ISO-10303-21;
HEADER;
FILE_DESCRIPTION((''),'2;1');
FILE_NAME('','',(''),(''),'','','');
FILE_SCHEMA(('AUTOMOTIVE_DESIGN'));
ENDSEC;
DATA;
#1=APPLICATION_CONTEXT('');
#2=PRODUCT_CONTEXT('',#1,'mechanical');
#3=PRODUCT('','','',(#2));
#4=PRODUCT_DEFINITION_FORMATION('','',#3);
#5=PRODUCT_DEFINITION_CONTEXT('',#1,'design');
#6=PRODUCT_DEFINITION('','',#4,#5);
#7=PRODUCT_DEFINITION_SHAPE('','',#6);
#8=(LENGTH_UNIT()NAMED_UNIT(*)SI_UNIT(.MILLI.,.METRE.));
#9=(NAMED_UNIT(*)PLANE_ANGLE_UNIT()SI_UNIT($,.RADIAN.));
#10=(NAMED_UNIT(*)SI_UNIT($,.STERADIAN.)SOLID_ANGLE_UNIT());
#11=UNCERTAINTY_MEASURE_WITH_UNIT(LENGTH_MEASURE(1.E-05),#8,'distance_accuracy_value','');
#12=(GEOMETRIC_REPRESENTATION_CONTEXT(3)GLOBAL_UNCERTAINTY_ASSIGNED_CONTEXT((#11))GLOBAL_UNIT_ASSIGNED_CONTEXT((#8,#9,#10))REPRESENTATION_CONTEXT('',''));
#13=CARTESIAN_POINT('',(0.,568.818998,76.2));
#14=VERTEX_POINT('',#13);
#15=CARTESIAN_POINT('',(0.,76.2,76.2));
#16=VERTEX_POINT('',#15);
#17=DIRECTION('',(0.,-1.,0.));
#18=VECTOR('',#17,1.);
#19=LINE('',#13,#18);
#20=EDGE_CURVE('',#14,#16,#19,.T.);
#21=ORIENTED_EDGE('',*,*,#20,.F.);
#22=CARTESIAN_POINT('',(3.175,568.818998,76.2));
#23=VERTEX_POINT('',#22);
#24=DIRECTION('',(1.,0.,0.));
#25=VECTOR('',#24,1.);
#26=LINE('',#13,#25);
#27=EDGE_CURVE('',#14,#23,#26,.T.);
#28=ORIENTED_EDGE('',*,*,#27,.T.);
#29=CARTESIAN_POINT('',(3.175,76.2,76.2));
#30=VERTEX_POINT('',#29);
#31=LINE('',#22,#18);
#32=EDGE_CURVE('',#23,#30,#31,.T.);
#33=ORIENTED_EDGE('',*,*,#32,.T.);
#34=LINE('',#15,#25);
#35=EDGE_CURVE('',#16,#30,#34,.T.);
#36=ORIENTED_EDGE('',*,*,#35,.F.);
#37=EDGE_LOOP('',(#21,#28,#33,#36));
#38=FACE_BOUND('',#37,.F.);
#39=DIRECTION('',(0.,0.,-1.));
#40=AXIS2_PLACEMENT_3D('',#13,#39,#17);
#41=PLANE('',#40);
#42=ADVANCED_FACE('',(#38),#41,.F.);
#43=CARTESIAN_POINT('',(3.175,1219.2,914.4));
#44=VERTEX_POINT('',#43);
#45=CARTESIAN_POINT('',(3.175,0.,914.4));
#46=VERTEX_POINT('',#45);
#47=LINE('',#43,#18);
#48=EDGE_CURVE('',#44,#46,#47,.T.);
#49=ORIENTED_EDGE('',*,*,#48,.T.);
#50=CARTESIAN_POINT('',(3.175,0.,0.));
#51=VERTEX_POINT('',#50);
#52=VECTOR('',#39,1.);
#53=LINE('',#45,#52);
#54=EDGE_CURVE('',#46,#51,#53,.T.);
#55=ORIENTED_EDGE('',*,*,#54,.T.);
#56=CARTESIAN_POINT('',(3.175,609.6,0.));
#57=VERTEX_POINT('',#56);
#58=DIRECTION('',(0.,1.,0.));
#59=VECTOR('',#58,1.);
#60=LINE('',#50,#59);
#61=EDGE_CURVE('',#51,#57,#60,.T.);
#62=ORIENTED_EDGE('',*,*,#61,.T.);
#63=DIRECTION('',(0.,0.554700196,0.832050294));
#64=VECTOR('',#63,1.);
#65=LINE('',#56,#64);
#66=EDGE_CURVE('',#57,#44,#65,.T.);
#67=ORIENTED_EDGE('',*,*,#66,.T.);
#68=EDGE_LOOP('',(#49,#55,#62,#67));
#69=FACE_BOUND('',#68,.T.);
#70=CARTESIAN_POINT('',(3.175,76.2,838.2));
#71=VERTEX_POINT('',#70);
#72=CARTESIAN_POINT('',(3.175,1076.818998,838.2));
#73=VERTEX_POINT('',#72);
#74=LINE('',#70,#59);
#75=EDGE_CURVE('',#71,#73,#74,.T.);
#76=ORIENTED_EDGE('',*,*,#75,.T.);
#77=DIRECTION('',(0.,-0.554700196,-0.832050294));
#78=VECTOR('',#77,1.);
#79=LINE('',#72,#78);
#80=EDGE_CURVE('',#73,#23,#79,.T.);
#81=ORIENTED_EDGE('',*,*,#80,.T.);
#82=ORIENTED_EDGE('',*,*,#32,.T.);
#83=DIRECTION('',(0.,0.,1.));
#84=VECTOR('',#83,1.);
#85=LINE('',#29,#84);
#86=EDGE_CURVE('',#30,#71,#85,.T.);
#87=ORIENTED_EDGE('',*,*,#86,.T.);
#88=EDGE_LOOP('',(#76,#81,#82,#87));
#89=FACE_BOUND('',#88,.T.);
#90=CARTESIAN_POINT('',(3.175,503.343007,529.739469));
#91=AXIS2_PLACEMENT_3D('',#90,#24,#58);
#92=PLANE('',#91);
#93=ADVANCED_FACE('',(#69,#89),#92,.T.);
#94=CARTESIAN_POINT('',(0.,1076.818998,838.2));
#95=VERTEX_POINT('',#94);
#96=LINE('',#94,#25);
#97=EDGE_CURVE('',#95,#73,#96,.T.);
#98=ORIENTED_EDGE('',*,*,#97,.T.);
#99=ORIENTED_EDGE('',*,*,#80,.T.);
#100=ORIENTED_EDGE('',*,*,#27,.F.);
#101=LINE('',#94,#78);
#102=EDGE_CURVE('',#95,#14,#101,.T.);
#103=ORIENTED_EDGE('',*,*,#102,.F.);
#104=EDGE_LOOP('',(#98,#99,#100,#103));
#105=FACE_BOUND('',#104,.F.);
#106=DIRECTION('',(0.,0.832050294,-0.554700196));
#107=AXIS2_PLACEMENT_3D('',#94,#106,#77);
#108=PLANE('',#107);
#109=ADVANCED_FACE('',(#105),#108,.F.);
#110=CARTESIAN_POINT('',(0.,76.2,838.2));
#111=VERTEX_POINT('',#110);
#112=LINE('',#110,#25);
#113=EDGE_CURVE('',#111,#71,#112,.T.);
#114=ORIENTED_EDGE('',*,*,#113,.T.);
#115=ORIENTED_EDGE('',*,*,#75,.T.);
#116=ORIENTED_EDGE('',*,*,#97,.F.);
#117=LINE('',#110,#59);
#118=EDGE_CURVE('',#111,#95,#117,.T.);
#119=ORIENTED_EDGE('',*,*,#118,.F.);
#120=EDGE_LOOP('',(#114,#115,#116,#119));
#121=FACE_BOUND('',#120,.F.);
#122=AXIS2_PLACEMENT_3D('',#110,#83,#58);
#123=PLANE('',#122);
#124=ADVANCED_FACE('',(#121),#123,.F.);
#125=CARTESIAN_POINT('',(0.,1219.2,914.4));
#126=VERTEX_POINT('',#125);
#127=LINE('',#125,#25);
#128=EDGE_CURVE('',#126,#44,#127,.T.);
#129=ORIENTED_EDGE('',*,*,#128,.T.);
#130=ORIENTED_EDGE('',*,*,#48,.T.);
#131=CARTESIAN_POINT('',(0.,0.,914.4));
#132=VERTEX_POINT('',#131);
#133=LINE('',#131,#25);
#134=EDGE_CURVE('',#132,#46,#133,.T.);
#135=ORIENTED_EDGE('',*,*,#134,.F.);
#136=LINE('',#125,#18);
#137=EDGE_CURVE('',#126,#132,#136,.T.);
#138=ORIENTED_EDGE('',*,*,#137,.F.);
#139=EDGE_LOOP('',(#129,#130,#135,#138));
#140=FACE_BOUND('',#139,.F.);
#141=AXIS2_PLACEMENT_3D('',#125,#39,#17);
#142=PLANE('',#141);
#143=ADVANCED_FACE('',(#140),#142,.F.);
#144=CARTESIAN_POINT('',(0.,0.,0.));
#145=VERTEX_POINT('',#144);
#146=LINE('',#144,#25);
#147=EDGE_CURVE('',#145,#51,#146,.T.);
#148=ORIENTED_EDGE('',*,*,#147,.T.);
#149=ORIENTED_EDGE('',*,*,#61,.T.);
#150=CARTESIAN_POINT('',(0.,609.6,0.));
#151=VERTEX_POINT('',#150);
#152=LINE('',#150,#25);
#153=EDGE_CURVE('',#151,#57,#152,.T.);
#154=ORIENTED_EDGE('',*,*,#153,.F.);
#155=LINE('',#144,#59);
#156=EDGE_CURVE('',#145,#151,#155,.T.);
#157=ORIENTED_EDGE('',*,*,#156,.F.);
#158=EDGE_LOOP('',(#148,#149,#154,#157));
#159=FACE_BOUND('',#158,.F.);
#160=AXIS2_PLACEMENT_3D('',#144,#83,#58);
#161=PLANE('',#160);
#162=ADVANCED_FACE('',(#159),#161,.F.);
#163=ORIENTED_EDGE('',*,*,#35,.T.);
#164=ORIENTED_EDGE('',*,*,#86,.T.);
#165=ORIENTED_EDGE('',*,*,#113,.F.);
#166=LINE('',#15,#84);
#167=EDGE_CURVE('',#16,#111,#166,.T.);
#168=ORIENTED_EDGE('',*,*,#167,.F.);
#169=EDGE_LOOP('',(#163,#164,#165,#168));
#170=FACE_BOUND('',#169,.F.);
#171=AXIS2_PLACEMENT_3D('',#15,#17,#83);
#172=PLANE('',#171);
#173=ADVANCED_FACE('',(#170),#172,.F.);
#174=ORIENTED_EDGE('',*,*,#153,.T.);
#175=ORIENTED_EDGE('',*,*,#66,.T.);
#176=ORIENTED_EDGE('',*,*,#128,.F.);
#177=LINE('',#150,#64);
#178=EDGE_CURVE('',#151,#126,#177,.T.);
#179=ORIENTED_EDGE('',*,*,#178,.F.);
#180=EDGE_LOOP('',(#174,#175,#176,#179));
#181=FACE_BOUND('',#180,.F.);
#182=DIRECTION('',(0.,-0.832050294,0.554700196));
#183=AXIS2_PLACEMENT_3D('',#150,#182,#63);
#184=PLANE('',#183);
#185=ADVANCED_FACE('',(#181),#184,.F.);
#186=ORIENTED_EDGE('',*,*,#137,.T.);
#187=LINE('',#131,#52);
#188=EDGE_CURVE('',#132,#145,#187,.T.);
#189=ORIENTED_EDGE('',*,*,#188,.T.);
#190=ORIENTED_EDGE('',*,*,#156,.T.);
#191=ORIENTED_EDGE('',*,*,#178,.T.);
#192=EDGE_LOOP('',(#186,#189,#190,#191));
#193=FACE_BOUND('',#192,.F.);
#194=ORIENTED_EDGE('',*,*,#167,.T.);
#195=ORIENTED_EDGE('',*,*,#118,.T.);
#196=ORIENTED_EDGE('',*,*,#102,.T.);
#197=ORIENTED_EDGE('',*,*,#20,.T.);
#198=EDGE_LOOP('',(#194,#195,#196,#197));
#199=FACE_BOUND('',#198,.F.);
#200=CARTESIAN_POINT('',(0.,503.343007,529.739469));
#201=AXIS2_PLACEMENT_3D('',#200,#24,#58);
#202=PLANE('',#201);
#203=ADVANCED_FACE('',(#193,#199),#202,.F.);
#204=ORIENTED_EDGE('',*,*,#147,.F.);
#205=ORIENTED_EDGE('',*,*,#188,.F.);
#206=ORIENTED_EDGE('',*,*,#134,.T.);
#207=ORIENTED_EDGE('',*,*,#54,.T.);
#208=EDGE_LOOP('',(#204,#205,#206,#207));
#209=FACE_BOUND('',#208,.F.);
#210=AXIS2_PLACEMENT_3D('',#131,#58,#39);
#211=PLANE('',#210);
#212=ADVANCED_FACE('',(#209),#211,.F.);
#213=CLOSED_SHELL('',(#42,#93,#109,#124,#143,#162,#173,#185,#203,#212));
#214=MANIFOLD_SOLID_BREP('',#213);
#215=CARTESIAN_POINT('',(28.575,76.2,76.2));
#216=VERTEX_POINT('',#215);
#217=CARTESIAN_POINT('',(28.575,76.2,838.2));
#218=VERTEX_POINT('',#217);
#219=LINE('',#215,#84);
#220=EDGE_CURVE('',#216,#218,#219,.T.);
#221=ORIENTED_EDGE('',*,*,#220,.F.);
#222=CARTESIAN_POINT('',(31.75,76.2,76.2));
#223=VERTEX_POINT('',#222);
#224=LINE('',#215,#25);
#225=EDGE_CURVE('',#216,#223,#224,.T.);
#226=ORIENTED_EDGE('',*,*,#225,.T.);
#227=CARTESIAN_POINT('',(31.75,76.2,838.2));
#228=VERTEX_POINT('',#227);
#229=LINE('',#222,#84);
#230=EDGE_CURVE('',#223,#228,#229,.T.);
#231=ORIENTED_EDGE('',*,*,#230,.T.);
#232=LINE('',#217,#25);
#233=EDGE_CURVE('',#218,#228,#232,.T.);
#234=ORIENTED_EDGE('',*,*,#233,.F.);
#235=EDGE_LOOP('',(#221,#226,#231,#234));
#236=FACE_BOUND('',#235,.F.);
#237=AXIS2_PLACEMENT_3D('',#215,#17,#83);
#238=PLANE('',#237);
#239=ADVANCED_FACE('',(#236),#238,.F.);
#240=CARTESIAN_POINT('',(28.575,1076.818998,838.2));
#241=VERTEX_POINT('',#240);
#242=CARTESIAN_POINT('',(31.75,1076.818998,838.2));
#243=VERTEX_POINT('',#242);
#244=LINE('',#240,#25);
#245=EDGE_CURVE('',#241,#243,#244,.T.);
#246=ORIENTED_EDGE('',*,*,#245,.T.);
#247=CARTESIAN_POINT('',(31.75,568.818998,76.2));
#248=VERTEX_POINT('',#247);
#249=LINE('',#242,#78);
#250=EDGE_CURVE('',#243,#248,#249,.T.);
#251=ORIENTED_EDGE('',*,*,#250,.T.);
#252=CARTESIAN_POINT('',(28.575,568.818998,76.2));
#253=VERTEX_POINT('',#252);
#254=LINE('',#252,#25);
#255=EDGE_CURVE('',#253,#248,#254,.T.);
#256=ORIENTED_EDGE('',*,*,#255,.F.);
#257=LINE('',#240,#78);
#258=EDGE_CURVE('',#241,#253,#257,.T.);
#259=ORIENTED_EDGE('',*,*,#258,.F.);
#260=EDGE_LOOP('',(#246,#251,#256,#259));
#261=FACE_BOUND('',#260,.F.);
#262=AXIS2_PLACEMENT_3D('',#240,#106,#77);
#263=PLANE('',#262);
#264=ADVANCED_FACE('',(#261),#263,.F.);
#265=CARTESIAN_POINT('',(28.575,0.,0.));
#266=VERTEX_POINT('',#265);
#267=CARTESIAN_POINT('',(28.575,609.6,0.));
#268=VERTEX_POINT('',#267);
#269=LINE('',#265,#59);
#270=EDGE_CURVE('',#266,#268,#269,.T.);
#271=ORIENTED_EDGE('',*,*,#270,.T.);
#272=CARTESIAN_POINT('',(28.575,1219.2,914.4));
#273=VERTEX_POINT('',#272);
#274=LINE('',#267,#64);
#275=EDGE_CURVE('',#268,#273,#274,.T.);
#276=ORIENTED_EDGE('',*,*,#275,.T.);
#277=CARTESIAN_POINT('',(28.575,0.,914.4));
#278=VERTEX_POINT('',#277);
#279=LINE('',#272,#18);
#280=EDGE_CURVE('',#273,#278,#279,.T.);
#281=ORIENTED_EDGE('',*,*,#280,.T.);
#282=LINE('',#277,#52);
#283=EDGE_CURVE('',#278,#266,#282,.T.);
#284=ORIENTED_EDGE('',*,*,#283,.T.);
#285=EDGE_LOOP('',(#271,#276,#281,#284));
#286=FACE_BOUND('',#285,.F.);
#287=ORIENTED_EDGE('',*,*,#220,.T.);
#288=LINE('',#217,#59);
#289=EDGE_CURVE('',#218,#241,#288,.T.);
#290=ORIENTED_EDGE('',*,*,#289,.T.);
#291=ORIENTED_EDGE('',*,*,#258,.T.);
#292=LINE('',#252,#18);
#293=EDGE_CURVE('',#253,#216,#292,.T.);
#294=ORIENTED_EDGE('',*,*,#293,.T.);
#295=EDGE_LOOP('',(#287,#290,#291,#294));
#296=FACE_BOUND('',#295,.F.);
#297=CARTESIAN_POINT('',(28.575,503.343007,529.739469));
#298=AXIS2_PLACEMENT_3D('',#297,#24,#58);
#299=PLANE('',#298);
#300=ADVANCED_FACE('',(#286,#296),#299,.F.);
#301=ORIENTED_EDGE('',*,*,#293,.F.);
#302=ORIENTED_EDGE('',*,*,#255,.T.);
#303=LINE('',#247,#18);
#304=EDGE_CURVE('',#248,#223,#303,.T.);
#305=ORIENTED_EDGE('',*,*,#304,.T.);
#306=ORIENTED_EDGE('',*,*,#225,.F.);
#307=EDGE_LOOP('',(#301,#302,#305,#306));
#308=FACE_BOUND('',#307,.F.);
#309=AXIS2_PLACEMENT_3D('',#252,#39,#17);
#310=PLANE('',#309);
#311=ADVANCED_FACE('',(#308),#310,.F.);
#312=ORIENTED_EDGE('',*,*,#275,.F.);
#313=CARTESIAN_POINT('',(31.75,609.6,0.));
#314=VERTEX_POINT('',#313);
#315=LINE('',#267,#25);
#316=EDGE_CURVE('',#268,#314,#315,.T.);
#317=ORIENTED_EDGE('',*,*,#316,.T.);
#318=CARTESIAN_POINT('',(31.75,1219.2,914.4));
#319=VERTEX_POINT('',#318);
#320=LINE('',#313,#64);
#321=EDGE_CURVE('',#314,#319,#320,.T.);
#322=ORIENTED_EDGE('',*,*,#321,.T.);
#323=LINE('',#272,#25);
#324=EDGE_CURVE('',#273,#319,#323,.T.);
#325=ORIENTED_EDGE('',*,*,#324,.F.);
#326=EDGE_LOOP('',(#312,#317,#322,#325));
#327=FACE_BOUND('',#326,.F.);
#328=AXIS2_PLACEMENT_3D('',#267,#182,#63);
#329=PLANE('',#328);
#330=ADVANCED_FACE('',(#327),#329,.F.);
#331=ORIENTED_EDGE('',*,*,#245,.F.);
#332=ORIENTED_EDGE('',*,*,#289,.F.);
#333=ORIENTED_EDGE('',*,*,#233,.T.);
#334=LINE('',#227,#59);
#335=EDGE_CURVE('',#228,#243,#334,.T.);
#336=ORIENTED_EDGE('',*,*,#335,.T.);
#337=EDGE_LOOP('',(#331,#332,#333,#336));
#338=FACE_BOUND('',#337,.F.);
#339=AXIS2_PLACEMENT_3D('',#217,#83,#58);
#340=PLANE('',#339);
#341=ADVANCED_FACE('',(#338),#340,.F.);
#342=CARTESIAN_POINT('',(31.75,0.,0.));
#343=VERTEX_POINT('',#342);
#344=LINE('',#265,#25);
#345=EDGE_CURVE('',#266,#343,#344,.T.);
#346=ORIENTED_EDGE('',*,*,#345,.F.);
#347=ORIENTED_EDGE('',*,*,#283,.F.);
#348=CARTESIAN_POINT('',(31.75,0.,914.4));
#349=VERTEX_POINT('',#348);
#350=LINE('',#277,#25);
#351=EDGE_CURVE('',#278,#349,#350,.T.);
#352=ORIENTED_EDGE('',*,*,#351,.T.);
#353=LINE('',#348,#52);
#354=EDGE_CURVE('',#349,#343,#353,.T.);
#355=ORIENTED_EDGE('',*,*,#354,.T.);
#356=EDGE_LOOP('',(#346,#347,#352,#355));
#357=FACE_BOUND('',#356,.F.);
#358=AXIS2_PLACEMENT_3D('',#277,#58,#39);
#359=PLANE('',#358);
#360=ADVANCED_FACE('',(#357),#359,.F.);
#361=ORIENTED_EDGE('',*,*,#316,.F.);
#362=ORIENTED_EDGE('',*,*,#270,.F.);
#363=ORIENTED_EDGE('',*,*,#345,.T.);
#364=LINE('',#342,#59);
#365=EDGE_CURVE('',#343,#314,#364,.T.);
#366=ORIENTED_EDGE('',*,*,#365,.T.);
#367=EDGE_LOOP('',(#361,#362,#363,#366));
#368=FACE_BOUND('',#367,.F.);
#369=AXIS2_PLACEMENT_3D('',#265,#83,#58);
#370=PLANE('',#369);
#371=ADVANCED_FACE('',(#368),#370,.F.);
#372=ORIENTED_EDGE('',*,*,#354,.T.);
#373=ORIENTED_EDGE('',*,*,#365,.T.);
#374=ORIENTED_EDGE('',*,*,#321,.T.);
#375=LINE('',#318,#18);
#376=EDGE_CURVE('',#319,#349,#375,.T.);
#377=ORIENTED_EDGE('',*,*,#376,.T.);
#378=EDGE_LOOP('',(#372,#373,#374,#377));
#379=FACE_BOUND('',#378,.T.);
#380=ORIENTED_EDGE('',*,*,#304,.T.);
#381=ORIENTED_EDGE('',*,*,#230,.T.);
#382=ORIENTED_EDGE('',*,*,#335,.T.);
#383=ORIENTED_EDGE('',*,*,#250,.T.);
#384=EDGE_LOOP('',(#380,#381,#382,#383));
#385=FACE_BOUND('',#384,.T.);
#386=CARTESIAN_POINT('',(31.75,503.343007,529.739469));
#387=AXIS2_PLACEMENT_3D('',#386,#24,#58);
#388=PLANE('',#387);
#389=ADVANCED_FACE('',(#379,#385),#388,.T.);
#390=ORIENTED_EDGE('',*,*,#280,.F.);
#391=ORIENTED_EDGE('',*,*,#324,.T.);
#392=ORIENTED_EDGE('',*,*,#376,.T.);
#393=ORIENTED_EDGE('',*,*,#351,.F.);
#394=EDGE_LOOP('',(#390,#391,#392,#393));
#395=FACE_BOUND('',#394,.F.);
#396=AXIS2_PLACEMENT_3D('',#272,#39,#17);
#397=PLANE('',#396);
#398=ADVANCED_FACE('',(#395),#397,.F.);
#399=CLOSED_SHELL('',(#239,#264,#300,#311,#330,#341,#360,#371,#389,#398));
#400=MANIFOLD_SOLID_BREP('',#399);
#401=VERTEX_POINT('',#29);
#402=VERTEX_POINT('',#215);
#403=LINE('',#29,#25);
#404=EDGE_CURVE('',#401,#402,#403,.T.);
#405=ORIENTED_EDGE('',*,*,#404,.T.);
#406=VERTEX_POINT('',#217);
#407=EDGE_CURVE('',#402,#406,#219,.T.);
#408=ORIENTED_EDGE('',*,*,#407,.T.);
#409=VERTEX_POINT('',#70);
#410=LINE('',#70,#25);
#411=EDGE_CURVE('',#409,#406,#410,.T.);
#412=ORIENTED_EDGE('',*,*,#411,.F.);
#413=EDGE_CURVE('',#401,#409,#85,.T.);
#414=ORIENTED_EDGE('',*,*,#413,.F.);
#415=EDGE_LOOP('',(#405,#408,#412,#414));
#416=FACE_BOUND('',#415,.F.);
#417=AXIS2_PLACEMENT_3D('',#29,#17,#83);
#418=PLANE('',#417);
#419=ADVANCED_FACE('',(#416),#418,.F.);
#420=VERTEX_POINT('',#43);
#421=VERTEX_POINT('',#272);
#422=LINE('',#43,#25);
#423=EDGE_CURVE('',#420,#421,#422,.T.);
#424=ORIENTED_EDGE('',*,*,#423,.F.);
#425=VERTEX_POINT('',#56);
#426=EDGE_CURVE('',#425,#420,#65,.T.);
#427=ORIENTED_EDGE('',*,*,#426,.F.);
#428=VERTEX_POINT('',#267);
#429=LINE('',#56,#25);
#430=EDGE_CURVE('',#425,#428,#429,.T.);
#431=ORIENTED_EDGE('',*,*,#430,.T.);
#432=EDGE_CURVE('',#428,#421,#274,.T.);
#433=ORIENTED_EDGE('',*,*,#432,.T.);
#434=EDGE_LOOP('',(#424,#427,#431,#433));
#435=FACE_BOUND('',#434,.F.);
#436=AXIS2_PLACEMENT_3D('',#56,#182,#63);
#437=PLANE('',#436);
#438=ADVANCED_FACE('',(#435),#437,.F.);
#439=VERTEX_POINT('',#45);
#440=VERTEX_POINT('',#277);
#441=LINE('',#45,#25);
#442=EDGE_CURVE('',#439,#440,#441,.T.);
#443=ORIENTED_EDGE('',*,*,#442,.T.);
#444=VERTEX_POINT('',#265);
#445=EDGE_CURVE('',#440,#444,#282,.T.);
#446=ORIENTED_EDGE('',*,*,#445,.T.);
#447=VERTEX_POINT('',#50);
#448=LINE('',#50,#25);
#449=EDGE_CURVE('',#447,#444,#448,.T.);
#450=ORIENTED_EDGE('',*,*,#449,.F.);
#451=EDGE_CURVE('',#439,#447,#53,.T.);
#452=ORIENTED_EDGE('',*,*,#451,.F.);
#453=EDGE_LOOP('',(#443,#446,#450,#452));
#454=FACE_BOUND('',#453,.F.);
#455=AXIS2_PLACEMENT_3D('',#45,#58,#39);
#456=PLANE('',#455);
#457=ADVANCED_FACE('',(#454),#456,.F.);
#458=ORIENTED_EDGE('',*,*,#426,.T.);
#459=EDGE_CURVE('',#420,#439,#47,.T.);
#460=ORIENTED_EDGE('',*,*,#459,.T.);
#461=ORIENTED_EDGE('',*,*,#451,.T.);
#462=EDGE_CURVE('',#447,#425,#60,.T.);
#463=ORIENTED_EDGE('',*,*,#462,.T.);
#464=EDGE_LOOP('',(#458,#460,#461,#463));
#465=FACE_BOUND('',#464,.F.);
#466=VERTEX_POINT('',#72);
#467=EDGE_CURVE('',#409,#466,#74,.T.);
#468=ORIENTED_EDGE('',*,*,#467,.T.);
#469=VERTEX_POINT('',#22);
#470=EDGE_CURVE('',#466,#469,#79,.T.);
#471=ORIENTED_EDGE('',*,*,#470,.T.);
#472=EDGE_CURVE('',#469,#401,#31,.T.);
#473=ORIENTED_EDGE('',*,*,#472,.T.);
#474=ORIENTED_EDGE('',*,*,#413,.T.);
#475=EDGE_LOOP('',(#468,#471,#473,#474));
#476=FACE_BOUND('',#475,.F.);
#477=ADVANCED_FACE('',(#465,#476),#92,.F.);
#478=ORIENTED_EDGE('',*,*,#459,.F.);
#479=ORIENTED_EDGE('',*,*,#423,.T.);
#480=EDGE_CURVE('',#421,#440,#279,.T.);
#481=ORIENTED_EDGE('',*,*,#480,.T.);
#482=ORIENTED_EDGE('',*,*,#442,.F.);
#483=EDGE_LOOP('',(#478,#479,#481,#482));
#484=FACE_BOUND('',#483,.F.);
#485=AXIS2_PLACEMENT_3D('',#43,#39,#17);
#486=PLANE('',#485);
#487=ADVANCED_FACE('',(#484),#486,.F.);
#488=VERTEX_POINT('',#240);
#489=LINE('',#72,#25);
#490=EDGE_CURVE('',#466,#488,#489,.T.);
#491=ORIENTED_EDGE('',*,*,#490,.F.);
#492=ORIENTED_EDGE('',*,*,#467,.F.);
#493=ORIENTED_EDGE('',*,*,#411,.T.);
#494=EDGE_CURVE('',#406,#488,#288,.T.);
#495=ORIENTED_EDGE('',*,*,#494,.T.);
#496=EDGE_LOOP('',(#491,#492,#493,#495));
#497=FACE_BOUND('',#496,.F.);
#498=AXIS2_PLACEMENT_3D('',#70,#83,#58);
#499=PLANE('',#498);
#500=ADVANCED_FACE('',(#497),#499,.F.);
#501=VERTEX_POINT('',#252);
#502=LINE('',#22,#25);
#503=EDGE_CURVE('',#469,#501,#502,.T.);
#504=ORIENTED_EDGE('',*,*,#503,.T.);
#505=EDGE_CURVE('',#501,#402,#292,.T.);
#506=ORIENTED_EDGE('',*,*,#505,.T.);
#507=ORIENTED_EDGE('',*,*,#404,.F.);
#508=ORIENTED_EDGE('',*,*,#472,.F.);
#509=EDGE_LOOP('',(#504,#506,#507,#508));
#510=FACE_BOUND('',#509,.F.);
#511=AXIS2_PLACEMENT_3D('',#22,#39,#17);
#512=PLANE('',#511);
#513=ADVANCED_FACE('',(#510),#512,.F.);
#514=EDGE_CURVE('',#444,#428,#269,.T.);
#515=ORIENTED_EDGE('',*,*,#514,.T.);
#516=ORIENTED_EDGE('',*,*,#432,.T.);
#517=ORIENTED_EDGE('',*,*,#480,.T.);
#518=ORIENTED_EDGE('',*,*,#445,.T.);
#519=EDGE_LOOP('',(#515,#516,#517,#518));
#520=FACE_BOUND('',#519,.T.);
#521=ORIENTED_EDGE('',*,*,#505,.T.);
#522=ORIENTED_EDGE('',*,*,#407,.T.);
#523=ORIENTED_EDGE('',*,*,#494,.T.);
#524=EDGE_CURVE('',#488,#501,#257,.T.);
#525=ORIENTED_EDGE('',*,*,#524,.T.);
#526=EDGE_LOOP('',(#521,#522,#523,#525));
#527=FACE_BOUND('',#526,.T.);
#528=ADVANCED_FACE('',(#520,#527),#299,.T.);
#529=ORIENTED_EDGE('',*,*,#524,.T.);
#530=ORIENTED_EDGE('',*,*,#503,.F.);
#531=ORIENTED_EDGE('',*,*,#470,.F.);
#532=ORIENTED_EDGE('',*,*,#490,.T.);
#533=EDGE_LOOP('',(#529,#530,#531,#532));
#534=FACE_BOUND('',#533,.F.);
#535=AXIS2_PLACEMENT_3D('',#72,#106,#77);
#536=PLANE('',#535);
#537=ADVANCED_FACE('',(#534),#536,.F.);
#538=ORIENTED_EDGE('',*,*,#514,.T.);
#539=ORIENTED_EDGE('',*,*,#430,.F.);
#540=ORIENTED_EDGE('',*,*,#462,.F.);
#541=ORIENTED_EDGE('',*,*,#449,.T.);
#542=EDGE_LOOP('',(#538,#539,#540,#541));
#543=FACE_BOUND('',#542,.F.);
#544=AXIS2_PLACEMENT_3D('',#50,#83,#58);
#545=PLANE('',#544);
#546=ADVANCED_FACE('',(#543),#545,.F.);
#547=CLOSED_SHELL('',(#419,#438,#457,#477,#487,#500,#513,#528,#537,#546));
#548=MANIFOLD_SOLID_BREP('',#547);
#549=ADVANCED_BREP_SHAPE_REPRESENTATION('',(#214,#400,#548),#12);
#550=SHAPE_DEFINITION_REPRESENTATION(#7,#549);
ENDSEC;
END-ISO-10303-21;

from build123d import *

# Parameters (mm, degrees)
F1_DEPTH = 3.175
F3_DEPTH = 25.4
F5_DEPTH = 3.175


with BuildPart() as f1:
    # F0 (on Right) → F1 (new body)
    with BuildSketch(Plane.YZ):
        Polygon((0, 914.4), (0, 0), (609.6, 0), (1219.2, 914.4), align=None)
        Polygon((76.2, 76.2), (76.2, 838.2), (1076.818998, 838.2), (568.818998, 76.2), align=None, mode=Mode.SUBTRACT)
    extrude(amount=F1_DEPTH)


with BuildPart() as f3:
    # F2 (on face) → F3 (new body)
    with BuildSketch(Plane.YZ.offset(3.175)):
        Polygon((1219.2, 914.4), (0, 914.4), (0, 0), (609.6, 0), align=None)
        Polygon((76.2, 76.2), (76.2, 838.2), (1076.818998, 838.2), (568.818998, 76.2), align=None, mode=Mode.SUBTRACT)
    extrude(amount=F3_DEPTH)


with BuildPart() as f5:
    # F4 (on face) → F5 (new body)
    with BuildSketch(Plane.YZ.offset(28.575)):
        Polygon((1219.2, 914.4), (0, 914.4), (0, 0), (609.6, 0), align=None)
        Polygon((76.2, 76.2), (76.2, 838.2), (1076.818998, 838.2), (568.818998, 76.2), align=None, mode=Mode.SUBTRACT)
    extrude(amount=F5_DEPTH)


solid = Compound([f1.part, f3.part, f5.part])
